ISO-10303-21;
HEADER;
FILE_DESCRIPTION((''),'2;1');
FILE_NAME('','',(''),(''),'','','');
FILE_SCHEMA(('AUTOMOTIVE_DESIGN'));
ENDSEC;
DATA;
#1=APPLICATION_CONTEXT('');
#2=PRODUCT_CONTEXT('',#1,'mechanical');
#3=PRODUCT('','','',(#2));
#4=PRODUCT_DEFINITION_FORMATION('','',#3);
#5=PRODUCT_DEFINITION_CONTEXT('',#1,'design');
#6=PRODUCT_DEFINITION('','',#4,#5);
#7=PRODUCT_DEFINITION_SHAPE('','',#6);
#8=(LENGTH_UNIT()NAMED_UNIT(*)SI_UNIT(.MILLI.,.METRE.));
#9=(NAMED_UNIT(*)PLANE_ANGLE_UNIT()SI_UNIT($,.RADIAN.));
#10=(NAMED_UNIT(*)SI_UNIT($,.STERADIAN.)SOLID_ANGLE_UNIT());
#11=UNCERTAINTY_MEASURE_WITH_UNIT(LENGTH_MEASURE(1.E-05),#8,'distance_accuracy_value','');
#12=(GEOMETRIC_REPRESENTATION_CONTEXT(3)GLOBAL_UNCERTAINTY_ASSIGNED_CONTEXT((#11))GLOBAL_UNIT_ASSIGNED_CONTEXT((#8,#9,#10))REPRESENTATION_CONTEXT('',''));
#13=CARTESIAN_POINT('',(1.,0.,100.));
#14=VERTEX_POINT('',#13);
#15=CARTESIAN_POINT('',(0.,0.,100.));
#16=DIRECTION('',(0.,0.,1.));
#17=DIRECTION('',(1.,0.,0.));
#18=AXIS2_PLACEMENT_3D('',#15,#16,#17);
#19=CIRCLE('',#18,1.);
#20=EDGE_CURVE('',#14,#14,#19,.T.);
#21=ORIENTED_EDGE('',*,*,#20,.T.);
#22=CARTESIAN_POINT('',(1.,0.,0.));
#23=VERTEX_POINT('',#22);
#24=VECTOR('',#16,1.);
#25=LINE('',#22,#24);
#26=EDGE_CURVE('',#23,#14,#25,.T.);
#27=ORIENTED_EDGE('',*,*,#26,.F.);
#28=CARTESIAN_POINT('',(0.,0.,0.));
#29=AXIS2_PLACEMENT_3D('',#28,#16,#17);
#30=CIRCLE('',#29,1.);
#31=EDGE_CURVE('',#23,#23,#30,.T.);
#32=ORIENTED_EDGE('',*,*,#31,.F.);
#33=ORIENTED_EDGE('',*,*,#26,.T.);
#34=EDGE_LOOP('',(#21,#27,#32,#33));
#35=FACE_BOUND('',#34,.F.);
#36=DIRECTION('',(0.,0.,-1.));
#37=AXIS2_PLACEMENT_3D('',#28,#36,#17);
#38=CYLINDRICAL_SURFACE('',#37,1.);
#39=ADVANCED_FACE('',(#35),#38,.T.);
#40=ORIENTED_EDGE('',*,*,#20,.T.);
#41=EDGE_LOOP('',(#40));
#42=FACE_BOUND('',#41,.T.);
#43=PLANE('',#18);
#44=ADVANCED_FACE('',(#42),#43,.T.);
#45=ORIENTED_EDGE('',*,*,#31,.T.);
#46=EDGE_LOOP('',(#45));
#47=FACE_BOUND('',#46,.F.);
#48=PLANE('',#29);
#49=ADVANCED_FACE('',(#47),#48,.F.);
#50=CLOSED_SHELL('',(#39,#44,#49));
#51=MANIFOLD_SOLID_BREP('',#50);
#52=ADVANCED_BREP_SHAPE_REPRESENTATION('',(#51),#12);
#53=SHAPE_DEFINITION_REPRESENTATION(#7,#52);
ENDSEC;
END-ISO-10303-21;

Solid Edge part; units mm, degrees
sketch "Sketch1" plane through (0, 0, 0) normal (0, 0, 1) x (1, 0, 0)
  circle A0 centre (0, 0) radius 1
extrude "Protrusion1" add sketch "Sketch1" along normal blind 100
